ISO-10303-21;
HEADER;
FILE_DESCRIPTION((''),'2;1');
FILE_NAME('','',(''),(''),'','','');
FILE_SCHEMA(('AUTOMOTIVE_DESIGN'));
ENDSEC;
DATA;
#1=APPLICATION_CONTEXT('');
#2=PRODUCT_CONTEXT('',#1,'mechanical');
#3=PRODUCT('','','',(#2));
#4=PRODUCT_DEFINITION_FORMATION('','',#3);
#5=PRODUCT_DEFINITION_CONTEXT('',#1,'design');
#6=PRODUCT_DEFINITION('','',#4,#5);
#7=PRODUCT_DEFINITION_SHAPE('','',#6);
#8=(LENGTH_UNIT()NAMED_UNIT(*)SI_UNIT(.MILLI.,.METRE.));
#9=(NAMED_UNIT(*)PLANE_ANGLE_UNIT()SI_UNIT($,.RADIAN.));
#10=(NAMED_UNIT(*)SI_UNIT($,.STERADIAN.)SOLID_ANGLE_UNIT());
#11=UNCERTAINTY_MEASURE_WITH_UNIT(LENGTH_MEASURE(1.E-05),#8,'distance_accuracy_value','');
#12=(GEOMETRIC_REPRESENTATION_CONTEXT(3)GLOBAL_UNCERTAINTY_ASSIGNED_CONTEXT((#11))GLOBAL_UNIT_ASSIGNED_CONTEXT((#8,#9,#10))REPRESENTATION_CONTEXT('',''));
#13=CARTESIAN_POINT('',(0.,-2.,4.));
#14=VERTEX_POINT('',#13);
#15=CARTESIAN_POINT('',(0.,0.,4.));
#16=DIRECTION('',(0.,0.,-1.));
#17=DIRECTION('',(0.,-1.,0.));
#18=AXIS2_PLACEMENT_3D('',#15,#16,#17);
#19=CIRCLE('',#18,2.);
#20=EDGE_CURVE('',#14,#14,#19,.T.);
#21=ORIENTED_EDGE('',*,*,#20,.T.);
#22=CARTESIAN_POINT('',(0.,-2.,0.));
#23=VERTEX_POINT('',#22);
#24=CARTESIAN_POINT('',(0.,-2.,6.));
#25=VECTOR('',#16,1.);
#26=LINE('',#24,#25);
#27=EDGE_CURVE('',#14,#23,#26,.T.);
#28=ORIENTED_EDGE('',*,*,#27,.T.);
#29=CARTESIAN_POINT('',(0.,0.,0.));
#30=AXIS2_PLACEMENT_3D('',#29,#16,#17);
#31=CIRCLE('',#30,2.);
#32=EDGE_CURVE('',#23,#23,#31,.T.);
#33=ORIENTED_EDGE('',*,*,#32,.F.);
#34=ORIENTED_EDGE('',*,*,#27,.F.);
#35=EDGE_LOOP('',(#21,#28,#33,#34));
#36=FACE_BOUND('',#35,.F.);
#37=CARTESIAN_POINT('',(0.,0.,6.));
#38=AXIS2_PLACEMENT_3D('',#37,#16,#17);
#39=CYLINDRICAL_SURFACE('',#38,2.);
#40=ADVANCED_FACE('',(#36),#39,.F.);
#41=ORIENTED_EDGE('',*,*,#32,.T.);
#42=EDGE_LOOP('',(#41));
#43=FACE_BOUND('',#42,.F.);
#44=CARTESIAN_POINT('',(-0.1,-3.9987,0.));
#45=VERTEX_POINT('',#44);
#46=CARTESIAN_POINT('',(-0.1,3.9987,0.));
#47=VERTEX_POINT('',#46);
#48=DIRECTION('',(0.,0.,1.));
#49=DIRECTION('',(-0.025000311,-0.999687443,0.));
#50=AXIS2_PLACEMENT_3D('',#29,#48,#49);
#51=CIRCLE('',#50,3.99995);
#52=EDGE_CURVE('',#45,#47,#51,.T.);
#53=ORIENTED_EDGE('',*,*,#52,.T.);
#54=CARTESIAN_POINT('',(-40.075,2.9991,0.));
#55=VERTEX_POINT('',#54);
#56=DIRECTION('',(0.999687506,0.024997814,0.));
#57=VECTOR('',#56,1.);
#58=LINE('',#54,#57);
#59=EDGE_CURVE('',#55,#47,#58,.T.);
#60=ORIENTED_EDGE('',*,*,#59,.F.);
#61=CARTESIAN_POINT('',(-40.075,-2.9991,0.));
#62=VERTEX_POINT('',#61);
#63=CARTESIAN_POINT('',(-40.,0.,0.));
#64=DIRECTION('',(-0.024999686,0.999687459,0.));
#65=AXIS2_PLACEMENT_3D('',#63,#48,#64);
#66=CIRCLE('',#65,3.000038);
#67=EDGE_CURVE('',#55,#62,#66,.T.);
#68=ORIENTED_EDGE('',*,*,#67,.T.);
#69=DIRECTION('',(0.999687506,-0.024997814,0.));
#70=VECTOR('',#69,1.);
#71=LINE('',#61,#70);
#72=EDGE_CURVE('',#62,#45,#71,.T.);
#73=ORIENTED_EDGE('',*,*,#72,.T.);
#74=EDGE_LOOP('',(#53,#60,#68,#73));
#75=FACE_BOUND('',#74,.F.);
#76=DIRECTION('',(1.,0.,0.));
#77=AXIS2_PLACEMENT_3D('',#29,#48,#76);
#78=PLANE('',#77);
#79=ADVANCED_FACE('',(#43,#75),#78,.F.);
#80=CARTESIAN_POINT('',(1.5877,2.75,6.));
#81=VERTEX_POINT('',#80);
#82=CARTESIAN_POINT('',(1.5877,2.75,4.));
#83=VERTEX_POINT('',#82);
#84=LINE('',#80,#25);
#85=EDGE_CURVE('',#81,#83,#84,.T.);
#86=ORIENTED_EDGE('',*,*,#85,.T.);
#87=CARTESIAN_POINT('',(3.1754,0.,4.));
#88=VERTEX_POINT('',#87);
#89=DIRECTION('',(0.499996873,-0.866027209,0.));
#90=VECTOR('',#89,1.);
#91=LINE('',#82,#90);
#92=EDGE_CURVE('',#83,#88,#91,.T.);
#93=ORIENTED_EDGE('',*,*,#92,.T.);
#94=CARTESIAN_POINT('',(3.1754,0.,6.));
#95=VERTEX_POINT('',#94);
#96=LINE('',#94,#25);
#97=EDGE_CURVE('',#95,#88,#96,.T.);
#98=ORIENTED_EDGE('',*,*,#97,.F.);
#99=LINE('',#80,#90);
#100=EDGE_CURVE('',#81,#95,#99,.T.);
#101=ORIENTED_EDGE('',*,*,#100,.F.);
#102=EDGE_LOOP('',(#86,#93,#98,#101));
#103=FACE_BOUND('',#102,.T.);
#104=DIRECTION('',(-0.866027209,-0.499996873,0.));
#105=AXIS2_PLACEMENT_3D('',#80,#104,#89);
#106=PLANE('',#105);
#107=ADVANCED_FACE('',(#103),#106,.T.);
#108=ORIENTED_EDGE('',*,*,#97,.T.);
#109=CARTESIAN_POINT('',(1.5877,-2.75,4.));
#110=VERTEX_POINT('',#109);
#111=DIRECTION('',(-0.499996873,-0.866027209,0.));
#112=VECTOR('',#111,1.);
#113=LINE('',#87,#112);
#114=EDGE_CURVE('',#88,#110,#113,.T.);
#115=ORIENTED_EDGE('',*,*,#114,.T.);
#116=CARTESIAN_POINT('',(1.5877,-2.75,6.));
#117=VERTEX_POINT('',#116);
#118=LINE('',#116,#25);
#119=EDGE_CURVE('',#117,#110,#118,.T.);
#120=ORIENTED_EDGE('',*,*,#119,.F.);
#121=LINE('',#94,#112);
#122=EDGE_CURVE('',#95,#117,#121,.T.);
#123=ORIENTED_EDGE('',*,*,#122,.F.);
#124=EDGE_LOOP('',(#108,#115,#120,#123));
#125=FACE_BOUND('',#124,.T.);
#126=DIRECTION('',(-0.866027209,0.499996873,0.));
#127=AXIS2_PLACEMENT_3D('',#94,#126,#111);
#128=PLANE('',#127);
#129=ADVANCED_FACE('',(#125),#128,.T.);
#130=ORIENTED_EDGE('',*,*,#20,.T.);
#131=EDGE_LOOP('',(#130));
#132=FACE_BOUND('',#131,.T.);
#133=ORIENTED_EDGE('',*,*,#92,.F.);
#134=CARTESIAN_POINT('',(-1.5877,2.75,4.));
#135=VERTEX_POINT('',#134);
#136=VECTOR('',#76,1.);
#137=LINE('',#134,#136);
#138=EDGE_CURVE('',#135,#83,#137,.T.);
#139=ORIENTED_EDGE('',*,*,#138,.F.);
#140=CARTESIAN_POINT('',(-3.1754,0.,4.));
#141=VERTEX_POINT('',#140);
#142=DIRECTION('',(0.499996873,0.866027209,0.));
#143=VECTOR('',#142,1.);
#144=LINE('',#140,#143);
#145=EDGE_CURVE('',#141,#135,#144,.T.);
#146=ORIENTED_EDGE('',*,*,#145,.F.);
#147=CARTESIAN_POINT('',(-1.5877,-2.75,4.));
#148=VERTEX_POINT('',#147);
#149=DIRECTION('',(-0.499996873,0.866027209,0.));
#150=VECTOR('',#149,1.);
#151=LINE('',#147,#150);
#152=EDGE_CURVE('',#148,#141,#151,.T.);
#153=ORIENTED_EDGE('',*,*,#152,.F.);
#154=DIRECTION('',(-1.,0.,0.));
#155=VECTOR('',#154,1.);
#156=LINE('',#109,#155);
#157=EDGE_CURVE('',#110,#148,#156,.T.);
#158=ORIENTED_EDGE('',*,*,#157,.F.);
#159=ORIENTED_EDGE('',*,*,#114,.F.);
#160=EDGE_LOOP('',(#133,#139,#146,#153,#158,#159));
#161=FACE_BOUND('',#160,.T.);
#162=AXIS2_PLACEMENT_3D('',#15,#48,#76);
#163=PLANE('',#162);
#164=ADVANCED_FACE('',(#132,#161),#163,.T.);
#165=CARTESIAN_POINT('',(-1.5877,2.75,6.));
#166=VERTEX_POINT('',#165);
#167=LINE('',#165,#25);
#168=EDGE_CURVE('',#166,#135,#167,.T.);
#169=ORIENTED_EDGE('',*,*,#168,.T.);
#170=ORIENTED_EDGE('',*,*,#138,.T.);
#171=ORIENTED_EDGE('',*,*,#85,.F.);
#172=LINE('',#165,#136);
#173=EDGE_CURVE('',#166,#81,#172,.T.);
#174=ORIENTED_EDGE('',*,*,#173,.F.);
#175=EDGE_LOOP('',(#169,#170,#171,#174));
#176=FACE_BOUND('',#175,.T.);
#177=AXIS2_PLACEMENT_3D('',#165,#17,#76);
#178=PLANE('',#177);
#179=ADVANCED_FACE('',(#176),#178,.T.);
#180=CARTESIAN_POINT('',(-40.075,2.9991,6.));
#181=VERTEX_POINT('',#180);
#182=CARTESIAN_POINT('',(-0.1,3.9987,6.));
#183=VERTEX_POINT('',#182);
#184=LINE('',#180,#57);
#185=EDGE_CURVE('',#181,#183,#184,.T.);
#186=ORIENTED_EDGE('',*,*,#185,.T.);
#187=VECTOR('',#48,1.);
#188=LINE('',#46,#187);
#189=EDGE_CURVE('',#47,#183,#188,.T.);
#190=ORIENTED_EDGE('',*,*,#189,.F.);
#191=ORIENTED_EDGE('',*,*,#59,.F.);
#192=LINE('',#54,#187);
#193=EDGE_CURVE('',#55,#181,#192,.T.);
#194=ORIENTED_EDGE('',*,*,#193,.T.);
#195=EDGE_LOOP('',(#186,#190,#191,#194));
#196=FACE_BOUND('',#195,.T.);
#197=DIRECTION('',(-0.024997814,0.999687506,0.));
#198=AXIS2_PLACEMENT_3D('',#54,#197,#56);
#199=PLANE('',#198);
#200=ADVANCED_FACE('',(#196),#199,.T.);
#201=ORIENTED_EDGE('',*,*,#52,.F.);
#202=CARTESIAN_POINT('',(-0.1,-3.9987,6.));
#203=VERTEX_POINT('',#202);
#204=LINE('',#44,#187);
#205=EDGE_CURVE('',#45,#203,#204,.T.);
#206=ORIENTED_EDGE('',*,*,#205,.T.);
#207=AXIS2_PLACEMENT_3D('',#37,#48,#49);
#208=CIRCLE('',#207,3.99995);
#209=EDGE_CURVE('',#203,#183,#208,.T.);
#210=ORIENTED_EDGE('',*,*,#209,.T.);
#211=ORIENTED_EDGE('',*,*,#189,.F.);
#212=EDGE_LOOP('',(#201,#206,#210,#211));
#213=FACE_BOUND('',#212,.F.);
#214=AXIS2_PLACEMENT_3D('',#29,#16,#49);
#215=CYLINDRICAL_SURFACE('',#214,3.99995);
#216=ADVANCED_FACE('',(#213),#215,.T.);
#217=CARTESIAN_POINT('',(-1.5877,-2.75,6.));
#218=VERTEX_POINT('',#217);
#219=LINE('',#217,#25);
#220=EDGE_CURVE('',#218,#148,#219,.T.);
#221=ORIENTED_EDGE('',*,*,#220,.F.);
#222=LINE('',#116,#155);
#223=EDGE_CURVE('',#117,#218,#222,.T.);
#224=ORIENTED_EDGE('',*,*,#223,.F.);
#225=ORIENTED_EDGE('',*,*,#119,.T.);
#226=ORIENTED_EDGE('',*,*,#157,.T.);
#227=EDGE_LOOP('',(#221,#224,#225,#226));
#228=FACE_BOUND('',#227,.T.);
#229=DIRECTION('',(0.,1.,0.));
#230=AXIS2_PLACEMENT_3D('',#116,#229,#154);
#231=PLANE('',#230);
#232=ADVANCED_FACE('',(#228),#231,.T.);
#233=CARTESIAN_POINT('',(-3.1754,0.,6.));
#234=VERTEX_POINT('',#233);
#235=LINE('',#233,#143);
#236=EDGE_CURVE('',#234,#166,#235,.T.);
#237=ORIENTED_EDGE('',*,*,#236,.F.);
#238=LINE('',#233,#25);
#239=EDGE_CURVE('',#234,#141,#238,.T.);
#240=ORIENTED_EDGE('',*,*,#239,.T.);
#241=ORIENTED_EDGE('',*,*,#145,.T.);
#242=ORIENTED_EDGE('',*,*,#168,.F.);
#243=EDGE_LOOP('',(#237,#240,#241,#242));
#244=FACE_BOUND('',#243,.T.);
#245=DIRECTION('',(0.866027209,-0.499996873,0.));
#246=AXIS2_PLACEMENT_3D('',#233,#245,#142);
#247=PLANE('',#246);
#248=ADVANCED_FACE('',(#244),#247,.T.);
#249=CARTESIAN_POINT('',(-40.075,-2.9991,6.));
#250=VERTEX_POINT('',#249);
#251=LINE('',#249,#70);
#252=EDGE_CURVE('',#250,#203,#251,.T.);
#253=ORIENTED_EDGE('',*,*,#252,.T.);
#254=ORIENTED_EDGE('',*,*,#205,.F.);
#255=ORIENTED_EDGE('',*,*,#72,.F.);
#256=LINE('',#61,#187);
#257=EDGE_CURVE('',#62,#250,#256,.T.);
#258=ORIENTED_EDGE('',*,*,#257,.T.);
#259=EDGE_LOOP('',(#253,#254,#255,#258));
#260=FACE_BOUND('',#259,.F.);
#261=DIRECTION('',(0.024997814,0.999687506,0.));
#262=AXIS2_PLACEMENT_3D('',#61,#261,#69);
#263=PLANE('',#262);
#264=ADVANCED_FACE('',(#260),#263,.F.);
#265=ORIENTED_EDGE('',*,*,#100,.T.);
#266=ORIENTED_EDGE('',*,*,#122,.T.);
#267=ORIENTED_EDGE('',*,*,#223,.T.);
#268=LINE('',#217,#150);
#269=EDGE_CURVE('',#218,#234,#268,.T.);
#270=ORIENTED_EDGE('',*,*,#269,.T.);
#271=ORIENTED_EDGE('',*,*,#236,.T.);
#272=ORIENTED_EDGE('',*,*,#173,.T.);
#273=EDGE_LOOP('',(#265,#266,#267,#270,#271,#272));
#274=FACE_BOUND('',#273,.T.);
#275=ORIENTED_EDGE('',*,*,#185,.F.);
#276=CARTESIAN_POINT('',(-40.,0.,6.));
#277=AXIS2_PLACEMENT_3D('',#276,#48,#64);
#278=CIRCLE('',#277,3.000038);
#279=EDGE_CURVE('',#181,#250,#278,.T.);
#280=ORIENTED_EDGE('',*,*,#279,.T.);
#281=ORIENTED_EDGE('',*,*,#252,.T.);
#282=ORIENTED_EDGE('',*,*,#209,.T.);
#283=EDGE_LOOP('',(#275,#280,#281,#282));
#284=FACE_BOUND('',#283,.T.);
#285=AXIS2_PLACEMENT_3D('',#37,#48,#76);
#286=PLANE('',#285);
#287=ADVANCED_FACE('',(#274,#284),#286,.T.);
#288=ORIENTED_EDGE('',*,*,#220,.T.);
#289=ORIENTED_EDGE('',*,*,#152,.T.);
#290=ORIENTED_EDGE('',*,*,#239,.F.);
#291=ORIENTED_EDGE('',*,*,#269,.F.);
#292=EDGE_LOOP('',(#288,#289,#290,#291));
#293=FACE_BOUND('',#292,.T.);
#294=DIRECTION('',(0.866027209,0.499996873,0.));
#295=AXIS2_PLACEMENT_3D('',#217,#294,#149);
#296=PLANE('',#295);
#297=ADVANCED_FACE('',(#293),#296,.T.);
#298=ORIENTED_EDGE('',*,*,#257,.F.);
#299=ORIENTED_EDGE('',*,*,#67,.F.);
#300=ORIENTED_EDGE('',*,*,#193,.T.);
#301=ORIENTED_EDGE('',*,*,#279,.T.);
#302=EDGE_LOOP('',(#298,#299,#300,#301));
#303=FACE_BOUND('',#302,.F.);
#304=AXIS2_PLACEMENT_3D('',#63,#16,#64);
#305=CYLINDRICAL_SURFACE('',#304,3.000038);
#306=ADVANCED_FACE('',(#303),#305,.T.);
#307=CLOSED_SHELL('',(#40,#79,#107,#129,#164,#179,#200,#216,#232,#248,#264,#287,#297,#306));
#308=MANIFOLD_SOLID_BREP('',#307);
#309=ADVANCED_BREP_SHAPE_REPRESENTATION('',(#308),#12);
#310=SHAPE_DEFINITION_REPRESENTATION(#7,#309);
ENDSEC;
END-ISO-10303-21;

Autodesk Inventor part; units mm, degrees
ref_plane "YZ Plane" through (0, 0, 0) normal (1, 0, 0) x (0, 1, 0)
ref_plane "XZ Plane" through (0, 0, 0) normal (0, 1, 0) x (-1, 0, 0)
ref_plane "XY Plane" through (0, 0, 0) normal (0, 0, 1) x (1, 0, 0)
sketch "Boceto1" plane through (0, 0, 0) normal (0, 0, 1) x (1, 0, 0)
  arc A0 (-0.1, -3.9987) -> (-0.1, 3.9987) centre (0, 0) ccw
  line L0 (0, 0) -> (-40, 0)
  arc A1 (-40.075, 2.9991) -> (-40.075, -2.9991) centre (-40, 0) ccw
  line L1 (-40.075, 2.9991) -> (-0.1, 3.9987)
  line L2 (-40.075, -2.9991) -> (-0.1, -3.9987)
  dimension "d0" = 8
  dimension "d1" = 40
  dimension "d2" = 6
extrude "Extrusión1" add sketch "Boceto1" along normal blind 6
sketch "Boceto2" plane through (0, 0, 6) normal (0, 0, 1) x (1, 0, 0)
  arc A0 (-0.1, -3.9987) -> (-0.1, 3.9987) centre (0, 0) ccw projected
hole "Agujero1" at (0, 0, 6) direction (0, 0, -1) diameter 4 depth 11.75 tip angle 118
sketch "Boceto3" plane through (0, 0, 6) normal (0, 0, 1) x (1, 0, 0)
  line L0 (-1.5877, 2.75) -> (1.5877, 2.75)
  line L1 (1.5877, 2.75) -> (3.1754, 0)
  line L2 (3.1754, 0) -> (1.5877, -2.75)
  line L3 (1.5877, -2.75) -> (-1.5877, -2.75)
  line L4 (-1.5877, -2.75) -> (-3.1754, 0)
  line L5 (-3.1754, 0) -> (-1.5877, 2.75)
  point P0 (0, 0)
  point P1 (0, 0)
  dimension "d12" = 5.5
extrude "Extrusión2" cut sketch "Boceto3" against normal blind 2
properties part number "Brazo"
